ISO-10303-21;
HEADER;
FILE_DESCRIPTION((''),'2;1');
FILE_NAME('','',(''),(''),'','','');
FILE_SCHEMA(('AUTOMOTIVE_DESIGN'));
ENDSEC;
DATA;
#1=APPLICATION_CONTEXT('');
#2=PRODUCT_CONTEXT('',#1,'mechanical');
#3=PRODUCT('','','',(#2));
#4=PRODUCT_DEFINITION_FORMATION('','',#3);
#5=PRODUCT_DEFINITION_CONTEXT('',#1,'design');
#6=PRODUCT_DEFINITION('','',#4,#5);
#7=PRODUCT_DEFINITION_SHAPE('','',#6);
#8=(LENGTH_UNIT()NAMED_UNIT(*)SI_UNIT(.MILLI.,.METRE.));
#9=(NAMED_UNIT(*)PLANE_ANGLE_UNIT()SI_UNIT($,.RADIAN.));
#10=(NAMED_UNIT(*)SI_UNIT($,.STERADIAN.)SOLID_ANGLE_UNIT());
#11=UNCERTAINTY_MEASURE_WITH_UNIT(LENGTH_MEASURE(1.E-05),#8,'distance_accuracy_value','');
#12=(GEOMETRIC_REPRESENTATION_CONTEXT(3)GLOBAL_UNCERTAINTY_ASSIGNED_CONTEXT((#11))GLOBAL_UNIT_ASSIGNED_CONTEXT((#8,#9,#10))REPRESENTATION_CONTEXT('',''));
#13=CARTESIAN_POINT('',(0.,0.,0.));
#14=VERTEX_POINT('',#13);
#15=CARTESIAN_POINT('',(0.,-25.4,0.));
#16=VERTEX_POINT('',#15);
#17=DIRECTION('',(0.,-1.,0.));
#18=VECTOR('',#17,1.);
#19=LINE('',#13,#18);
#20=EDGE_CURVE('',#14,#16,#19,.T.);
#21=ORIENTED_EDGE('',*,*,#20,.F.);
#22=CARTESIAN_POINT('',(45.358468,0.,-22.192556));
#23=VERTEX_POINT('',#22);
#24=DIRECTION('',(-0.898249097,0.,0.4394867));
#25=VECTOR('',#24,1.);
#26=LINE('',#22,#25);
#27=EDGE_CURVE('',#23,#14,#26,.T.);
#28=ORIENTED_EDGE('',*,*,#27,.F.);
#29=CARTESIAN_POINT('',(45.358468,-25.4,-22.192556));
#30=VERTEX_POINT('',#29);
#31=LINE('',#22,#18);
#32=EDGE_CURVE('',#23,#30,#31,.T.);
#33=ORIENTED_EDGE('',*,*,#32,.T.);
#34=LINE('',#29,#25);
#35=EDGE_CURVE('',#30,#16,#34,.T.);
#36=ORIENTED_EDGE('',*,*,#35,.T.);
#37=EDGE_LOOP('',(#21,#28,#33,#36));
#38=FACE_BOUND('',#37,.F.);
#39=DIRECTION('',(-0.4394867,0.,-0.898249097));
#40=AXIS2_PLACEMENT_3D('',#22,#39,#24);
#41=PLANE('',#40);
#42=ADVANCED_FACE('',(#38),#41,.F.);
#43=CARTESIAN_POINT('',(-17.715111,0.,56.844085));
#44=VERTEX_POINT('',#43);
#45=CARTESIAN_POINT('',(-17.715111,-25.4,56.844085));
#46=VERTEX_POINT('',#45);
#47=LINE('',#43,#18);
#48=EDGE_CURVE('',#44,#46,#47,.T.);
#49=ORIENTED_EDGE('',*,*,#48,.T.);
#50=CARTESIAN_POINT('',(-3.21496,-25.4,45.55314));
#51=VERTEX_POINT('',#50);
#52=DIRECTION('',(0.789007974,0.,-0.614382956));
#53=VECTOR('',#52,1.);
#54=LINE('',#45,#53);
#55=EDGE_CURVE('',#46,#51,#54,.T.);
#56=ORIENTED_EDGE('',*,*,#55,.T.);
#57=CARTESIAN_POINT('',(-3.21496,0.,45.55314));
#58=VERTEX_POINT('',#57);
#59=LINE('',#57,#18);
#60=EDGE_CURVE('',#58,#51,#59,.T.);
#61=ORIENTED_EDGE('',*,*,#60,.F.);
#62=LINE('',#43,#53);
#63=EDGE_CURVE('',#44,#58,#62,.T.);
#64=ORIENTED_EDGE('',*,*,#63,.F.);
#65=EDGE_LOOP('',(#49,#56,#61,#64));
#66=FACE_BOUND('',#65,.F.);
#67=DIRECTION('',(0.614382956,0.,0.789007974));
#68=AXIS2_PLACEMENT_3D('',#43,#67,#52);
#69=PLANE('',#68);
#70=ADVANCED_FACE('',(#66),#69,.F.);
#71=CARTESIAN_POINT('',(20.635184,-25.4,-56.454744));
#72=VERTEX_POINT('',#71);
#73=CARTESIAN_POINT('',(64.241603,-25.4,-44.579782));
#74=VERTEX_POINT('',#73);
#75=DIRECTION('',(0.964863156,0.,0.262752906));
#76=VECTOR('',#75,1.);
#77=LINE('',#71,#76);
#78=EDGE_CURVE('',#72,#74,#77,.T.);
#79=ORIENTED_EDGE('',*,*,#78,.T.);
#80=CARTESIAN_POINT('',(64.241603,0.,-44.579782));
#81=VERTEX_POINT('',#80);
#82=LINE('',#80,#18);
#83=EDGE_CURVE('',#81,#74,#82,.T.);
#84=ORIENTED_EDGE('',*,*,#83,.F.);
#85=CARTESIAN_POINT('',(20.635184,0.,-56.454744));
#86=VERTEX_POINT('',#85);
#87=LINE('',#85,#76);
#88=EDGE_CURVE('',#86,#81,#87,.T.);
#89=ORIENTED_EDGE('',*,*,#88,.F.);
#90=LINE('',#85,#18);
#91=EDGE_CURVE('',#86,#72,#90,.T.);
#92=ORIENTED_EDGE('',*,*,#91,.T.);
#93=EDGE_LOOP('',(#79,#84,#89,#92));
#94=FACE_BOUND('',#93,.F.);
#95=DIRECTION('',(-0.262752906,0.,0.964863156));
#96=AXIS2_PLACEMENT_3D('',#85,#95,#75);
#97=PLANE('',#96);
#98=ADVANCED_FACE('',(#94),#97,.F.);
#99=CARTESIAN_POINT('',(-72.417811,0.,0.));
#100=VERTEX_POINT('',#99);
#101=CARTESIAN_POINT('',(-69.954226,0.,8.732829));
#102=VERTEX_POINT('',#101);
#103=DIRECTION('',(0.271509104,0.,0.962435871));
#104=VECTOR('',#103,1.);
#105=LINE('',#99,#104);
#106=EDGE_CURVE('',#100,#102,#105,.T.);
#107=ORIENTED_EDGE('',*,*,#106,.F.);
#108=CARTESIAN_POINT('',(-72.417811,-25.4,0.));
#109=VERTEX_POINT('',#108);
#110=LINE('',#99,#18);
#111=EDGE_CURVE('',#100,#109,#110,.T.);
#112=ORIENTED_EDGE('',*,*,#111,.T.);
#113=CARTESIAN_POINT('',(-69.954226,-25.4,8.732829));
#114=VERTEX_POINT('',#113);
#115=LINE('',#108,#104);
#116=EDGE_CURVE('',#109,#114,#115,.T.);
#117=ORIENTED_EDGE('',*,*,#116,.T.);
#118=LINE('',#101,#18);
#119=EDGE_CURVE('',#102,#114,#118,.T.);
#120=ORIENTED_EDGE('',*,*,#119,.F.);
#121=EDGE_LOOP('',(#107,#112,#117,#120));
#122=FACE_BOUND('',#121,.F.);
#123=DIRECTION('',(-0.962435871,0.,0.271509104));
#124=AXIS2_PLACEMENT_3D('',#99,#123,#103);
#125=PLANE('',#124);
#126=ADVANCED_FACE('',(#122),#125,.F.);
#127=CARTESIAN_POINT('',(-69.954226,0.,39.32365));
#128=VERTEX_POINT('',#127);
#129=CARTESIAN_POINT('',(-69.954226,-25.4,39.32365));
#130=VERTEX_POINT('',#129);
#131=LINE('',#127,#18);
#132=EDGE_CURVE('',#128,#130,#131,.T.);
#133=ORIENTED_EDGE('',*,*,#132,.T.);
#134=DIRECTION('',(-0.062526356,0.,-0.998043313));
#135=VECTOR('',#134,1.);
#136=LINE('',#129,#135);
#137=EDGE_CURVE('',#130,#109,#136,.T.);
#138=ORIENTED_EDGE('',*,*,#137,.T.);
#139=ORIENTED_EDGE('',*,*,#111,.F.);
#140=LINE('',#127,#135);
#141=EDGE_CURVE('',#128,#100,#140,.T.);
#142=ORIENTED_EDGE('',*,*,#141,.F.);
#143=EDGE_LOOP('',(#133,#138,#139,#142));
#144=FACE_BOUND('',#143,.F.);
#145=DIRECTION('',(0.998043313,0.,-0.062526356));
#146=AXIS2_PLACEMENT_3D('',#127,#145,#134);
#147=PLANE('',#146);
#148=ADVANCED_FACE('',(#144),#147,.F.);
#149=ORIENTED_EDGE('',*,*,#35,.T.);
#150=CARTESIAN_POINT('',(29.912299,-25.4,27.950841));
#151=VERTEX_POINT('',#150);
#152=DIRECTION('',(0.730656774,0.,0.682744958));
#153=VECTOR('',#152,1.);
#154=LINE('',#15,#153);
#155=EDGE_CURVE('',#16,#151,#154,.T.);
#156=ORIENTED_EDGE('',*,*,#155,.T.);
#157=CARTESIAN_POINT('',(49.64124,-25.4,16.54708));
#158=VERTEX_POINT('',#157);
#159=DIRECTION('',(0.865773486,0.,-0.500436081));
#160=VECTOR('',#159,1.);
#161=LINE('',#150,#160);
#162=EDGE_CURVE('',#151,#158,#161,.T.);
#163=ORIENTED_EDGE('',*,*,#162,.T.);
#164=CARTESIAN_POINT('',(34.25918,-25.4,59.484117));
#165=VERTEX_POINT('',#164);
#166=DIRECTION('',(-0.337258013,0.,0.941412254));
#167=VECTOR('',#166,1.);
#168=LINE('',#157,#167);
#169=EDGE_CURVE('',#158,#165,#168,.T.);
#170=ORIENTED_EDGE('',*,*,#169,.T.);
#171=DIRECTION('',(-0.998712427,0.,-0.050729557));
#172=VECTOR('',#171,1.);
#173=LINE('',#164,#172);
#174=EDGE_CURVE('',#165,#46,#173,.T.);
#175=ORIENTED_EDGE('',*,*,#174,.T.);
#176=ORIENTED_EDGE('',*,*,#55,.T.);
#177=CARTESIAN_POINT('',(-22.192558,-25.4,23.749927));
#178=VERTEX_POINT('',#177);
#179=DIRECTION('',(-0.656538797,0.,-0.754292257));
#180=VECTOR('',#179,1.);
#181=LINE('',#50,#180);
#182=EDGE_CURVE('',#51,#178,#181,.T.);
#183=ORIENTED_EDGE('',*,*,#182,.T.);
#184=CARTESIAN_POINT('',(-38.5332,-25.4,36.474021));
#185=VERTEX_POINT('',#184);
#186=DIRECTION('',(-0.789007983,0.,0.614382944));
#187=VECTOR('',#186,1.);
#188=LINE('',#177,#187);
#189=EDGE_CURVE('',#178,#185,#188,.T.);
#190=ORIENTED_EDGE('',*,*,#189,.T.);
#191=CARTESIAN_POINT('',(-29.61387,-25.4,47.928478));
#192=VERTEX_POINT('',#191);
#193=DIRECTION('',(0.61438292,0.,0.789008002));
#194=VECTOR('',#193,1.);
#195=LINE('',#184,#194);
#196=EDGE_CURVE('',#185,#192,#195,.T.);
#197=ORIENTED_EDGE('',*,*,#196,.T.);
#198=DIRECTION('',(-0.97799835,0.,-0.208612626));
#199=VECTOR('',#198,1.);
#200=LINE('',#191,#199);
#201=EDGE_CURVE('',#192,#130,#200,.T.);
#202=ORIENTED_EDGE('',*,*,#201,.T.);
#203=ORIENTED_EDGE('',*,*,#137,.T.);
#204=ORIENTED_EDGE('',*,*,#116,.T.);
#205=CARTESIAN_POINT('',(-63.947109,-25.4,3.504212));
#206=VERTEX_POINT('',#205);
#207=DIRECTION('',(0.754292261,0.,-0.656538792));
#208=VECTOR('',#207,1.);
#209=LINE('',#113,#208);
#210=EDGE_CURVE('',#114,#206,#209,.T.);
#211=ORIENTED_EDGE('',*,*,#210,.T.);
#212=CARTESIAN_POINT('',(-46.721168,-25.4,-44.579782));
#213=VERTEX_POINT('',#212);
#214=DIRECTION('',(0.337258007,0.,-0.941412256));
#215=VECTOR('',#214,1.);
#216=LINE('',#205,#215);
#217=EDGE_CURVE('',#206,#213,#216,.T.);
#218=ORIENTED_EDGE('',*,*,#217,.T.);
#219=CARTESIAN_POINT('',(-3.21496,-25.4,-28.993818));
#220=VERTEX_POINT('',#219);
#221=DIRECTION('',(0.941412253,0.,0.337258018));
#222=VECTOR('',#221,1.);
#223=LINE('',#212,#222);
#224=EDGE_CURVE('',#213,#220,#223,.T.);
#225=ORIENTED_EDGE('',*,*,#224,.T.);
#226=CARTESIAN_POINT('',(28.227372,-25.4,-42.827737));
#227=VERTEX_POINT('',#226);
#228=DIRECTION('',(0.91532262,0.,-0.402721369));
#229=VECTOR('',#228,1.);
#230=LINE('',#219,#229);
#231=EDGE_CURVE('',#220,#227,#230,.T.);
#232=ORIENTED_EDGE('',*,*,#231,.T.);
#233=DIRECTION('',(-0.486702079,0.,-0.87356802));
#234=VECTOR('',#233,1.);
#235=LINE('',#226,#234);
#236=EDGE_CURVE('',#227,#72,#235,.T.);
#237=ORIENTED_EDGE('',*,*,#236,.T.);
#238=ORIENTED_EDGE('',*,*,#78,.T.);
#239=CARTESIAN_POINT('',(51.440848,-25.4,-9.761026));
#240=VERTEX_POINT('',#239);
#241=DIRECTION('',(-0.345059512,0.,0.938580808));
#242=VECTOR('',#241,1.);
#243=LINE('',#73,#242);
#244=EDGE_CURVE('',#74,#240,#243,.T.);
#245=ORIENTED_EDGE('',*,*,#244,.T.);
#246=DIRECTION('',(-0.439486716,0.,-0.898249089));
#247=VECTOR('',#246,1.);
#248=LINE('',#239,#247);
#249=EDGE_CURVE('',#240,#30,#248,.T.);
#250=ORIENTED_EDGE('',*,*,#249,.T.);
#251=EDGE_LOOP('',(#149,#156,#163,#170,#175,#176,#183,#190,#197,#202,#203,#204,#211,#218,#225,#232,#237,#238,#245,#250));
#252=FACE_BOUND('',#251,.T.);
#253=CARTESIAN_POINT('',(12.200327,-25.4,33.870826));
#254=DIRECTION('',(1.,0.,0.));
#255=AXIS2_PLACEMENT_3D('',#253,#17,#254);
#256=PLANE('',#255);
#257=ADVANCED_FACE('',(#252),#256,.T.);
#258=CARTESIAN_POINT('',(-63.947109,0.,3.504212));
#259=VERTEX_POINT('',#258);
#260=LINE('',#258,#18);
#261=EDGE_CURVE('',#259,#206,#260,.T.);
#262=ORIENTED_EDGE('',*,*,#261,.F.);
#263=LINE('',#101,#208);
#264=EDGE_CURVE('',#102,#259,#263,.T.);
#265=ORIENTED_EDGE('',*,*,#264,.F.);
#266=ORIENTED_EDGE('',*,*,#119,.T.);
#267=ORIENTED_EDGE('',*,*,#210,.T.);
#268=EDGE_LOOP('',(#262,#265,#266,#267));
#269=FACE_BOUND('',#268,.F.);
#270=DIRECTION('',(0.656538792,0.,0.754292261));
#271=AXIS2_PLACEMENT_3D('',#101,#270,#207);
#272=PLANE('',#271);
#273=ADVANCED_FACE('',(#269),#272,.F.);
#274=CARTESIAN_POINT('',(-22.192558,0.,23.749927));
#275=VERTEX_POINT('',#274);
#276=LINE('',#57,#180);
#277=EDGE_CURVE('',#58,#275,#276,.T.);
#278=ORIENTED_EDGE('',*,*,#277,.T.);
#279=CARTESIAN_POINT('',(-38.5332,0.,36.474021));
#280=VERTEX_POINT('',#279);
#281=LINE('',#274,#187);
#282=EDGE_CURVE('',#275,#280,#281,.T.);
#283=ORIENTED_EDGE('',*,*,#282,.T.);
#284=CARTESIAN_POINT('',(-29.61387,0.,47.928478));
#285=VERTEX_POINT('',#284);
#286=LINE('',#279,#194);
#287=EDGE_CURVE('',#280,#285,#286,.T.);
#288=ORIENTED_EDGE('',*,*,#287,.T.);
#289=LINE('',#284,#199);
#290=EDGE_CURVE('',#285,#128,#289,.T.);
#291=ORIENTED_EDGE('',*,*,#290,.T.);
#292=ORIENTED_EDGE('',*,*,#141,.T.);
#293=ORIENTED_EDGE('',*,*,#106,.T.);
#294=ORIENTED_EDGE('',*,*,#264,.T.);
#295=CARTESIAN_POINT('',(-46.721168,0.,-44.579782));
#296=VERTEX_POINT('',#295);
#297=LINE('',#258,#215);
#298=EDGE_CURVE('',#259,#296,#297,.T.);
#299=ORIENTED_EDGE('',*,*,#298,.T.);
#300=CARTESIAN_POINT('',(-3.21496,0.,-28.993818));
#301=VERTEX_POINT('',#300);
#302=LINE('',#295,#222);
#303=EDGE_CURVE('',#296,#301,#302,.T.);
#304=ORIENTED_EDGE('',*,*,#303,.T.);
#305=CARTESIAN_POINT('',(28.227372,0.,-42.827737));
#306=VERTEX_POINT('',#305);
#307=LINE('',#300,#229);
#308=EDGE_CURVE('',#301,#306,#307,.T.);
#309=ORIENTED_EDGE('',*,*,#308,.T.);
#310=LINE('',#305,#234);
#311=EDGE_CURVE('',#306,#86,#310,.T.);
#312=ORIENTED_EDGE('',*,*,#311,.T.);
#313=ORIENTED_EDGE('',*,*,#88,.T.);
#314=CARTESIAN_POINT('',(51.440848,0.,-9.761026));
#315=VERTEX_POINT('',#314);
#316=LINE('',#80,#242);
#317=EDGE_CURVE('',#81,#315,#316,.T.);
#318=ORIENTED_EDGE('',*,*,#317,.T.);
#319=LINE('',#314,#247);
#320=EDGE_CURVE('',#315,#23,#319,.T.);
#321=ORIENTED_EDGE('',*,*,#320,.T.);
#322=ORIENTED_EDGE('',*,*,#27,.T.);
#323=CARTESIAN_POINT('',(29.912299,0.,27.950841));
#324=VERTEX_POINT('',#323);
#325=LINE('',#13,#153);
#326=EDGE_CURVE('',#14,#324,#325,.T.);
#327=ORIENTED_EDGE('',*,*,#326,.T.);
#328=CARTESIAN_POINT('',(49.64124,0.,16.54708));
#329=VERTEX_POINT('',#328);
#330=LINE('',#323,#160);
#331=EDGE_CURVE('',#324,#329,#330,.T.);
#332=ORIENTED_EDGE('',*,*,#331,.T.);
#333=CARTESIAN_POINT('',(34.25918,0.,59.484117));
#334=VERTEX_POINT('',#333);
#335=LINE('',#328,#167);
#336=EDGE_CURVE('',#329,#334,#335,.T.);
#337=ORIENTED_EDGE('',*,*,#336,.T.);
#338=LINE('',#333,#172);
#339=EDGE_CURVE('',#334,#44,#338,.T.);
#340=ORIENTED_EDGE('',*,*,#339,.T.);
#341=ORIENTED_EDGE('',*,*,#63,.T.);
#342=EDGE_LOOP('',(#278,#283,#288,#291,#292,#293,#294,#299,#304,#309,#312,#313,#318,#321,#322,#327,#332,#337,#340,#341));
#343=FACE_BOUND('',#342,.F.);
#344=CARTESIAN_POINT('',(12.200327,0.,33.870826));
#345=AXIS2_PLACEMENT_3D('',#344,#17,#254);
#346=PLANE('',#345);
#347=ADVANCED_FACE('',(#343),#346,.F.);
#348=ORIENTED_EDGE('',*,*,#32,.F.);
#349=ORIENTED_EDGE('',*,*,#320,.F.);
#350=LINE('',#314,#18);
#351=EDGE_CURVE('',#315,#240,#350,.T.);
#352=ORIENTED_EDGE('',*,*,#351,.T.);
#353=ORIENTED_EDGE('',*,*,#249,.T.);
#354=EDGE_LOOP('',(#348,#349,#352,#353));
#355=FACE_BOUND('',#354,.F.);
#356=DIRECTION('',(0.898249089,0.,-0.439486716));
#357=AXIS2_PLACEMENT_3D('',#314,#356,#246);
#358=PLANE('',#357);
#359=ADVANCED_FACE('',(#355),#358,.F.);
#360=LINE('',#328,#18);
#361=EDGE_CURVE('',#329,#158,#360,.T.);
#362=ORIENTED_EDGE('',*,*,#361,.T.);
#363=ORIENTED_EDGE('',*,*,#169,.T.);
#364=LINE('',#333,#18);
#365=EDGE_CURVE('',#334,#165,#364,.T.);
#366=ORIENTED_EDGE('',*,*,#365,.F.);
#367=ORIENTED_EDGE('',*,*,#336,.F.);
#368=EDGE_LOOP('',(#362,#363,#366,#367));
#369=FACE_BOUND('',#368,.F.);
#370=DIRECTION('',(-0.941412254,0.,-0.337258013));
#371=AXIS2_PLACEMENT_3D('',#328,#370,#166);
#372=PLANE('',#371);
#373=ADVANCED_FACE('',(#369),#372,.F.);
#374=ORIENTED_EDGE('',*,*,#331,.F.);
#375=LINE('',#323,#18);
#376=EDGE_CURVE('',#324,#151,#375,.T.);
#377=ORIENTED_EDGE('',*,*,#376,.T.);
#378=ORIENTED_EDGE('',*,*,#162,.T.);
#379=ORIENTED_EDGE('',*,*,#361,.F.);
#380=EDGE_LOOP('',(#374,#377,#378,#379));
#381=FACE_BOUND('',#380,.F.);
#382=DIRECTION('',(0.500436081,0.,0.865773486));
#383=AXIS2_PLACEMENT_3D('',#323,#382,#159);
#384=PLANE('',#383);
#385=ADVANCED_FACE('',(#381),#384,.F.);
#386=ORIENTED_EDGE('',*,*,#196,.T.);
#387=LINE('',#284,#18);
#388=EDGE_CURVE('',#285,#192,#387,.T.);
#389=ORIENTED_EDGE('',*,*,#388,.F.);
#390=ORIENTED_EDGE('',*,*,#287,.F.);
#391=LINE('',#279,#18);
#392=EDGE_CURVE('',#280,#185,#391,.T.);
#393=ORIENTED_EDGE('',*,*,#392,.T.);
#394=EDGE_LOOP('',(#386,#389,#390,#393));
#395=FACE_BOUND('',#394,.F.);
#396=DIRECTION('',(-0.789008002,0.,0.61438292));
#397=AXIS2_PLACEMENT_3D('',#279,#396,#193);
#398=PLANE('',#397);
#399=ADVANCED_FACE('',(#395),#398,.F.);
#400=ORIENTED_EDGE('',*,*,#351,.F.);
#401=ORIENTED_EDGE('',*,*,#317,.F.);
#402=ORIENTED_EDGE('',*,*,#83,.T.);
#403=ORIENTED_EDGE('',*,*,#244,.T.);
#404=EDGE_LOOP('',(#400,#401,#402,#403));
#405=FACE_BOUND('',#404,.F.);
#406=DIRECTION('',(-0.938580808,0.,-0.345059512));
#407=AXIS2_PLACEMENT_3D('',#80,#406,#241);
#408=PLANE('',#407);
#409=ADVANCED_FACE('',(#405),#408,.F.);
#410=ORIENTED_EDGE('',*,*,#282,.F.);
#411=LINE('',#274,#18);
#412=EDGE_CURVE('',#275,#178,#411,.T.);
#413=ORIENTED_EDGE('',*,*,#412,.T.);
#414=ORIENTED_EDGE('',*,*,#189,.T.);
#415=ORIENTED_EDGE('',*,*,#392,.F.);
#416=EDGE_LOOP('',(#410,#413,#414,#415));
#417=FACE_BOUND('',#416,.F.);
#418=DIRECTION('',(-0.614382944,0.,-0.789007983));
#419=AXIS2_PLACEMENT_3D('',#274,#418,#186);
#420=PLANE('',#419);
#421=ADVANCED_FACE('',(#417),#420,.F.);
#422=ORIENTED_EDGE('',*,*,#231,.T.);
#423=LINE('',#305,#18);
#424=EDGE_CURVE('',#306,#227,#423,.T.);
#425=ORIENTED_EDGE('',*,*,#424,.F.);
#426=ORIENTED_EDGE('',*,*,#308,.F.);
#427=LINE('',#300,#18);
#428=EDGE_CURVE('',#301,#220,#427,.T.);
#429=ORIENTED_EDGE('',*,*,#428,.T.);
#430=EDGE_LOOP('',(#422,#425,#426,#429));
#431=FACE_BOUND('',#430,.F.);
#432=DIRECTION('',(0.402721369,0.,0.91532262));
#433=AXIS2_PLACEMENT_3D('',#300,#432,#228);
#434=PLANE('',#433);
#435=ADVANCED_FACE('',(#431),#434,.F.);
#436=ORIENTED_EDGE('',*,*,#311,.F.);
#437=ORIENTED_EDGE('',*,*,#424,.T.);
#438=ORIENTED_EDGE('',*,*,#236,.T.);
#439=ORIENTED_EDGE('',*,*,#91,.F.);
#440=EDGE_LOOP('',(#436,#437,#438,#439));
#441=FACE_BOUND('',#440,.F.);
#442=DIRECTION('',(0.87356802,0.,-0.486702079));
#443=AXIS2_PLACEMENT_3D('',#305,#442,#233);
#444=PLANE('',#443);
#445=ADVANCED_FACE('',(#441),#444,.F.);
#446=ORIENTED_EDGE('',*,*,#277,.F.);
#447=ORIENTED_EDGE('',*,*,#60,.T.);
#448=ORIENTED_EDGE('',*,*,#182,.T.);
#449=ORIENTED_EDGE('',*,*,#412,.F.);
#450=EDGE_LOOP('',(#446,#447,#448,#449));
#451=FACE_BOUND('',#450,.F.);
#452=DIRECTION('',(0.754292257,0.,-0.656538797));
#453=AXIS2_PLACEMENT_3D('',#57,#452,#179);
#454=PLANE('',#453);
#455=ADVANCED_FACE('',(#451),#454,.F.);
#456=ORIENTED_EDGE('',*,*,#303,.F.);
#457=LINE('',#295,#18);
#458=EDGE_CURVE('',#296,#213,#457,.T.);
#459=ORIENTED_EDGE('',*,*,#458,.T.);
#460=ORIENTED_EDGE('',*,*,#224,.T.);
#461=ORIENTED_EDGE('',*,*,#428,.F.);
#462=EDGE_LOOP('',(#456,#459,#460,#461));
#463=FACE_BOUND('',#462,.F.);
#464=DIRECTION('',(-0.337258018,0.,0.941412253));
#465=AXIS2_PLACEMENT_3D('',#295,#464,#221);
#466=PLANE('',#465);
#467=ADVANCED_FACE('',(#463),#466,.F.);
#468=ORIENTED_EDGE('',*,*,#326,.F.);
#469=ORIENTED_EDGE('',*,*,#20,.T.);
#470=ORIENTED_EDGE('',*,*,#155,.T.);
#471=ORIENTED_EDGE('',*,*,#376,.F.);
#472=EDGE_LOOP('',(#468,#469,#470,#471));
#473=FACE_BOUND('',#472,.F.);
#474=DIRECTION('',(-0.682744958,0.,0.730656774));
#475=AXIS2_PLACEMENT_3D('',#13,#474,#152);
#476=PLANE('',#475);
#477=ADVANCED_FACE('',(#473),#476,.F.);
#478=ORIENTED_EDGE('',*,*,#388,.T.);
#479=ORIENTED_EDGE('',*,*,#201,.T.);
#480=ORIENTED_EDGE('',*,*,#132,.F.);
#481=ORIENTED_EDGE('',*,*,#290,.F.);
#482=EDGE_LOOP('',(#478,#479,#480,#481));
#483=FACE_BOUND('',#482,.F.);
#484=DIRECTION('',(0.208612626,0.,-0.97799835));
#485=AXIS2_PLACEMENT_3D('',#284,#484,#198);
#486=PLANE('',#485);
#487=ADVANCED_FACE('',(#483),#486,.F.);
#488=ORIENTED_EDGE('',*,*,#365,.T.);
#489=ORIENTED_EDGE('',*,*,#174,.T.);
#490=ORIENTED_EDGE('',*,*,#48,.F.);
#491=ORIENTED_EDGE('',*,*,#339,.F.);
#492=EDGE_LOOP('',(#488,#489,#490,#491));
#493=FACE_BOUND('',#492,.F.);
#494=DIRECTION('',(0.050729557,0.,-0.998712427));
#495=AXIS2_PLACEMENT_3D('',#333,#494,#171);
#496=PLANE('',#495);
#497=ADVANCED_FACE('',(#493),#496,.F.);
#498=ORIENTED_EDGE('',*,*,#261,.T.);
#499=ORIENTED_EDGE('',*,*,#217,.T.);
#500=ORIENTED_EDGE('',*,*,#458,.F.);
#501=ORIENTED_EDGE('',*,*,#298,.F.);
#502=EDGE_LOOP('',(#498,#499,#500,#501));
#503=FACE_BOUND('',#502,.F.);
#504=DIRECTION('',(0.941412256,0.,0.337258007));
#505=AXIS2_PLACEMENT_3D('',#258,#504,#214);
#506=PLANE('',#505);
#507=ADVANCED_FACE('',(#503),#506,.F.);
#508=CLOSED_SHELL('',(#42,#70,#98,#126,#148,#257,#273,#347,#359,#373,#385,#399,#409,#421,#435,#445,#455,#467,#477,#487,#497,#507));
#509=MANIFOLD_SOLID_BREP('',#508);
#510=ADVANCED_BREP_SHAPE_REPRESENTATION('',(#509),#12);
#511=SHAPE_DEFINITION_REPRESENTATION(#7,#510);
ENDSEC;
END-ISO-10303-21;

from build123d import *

# Parameters (mm, degrees)
F1_DEPTH = 25.4


with BuildPart() as f1:
    # F0 (on Front) → F1 (new body)
    with BuildSketch(Plane.XZ):
        Polygon((-22.192558, 23.749927), (0, 0), (29.912299, 27.950841), (49.64124, 16.54708), (34.25918, 59.484117), (-17.715111, 56.844085), (-3.21496, 45.55314), align=None)
        Polygon((-51.003944, -8.176205), (-22.192558, 23.749927), (-38.5332, 36.474021), (-29.61387, 47.928478), (-69.954226, 39.32365), (-72.417811, 0), (-69.954226, 8.732829), (-63.947109, 3.504212), align=None)
        Polygon((-24.917955, -24.528613), (0, 0), (-22.192558, 23.749927), (-51.003944, -8.176205), (-63.947109, 3.504212), (-46.721168, -44.579782), (-3.21496, -28.993818), align=None)
        Polygon((45.358468, -22.192556), (0, 0), (-24.917955, -24.528613), (-3.21496, -28.993818), (28.227372, -42.827737), (20.635184, -56.454744), (64.241603, -44.579782), (51.440848, -9.761026), align=None)
    extrude(amount=F1_DEPTH)


solid = f1.part
